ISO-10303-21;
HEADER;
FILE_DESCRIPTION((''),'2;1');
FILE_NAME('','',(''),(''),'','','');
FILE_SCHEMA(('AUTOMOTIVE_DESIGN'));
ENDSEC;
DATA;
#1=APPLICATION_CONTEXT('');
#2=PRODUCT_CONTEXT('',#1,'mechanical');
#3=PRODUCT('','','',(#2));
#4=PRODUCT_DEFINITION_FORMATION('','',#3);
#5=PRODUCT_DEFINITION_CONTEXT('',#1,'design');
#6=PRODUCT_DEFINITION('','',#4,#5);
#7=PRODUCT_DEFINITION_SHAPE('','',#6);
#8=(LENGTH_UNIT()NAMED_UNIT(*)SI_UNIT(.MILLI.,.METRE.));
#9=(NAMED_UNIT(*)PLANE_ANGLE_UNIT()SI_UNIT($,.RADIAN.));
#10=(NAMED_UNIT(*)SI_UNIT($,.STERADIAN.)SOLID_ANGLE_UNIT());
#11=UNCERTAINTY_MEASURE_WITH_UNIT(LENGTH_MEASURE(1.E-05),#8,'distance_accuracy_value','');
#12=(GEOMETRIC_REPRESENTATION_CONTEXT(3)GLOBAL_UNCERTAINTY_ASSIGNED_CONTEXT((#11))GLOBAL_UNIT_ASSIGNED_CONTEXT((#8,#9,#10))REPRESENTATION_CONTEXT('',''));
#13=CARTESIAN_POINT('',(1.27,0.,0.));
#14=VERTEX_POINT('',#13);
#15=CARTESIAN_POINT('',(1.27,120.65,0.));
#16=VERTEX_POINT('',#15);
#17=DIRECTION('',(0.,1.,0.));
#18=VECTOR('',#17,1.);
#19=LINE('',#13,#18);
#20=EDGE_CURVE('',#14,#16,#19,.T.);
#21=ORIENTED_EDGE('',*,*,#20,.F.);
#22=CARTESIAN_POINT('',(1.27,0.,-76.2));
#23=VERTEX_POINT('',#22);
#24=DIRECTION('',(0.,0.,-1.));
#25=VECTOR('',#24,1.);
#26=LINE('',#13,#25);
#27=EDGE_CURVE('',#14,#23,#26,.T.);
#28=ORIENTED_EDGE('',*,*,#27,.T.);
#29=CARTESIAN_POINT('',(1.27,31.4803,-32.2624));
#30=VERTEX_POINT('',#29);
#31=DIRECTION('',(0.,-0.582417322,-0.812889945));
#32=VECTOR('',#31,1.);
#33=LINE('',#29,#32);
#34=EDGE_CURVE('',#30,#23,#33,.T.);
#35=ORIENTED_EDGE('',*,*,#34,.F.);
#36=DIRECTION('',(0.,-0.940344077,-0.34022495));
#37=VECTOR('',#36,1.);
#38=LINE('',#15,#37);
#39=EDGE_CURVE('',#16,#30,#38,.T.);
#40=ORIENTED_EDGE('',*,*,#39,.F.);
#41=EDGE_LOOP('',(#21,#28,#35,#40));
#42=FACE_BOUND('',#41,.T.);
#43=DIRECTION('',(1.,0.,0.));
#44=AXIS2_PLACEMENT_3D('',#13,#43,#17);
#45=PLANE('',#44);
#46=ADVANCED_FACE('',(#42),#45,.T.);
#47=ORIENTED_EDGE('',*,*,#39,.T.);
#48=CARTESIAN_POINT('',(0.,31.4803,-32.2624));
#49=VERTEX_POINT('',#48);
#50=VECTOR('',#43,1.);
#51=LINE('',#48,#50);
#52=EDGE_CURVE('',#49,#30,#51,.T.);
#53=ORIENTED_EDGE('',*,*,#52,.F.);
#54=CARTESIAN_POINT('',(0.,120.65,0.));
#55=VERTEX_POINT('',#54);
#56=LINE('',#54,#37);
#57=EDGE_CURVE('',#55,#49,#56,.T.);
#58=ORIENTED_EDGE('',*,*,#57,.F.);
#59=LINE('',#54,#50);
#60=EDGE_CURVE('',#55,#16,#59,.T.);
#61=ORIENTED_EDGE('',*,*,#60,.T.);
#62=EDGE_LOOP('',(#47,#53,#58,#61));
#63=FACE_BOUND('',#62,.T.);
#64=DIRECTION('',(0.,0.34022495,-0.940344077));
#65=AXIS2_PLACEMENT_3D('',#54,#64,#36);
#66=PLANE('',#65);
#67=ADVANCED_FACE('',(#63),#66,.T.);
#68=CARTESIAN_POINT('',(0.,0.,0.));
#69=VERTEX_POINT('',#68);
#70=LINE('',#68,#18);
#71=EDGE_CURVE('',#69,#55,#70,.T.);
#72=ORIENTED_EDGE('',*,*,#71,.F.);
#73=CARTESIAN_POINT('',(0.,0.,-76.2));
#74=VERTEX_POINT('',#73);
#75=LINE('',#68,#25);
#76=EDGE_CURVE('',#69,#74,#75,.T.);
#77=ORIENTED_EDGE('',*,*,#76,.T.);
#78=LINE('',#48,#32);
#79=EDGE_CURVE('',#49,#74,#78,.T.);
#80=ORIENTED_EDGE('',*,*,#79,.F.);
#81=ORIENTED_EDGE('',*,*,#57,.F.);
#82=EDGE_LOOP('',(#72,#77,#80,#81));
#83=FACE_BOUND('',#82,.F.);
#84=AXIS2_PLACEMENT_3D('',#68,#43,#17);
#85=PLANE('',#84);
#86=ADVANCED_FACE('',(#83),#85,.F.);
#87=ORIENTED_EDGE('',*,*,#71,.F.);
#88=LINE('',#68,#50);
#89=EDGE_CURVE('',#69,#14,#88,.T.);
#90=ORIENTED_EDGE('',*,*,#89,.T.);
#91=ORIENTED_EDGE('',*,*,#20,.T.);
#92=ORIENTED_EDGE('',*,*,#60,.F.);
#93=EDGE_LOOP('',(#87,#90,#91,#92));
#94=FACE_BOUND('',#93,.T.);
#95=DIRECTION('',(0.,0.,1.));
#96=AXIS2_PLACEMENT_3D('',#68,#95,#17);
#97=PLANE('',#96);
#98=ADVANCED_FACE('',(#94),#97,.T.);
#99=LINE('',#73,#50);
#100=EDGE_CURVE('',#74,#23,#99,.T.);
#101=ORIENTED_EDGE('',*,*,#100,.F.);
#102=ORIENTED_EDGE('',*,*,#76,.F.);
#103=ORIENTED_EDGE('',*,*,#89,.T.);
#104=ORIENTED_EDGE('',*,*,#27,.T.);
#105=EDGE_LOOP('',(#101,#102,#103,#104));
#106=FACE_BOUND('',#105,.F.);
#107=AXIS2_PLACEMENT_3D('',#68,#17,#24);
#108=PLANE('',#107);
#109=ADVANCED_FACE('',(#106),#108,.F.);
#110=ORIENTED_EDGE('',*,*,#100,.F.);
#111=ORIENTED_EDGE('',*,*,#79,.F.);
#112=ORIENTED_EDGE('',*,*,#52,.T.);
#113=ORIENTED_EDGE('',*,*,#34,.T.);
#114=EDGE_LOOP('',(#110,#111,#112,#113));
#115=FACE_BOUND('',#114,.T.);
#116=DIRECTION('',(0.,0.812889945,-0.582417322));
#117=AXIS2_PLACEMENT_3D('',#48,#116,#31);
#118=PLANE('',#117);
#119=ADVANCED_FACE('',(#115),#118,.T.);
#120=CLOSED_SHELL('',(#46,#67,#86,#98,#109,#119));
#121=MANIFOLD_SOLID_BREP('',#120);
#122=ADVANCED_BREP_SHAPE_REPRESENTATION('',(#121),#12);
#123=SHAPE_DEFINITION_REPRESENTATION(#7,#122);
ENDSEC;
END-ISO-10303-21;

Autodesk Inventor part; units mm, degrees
ref_plane "YZ Plane" through (0, 0, 0) normal (1, 0, 0) x (0, 1, 0)
ref_plane "XZ Plane" through (0, 0, 0) normal (0, 1, 0) x (-1, 0, 0)
ref_plane "XY Plane" through (0, 0, 0) normal (0, 0, 1) x (1, 0, 0)
sketch "Sketch1" plane through (0, 0, 0) normal (1, 0, 0) x (0, 1, 0)
  line L0 (0, 0) -> (120.65, 0)
  line L1 (0, 0) -> (0, -76.2)
  line L2 (120.65, 0) -> (31.4803, -32.2624)
  line L3 (31.4803, -32.2624) -> (0, -76.2)
  dimension "d0" = 120.65
  dimension "d1" = 76.2
extrude "Extrusion1" add sketch "Sketch1" along normal blind 1.27
properties part number "Rocket_MK_II_Fins_III"
